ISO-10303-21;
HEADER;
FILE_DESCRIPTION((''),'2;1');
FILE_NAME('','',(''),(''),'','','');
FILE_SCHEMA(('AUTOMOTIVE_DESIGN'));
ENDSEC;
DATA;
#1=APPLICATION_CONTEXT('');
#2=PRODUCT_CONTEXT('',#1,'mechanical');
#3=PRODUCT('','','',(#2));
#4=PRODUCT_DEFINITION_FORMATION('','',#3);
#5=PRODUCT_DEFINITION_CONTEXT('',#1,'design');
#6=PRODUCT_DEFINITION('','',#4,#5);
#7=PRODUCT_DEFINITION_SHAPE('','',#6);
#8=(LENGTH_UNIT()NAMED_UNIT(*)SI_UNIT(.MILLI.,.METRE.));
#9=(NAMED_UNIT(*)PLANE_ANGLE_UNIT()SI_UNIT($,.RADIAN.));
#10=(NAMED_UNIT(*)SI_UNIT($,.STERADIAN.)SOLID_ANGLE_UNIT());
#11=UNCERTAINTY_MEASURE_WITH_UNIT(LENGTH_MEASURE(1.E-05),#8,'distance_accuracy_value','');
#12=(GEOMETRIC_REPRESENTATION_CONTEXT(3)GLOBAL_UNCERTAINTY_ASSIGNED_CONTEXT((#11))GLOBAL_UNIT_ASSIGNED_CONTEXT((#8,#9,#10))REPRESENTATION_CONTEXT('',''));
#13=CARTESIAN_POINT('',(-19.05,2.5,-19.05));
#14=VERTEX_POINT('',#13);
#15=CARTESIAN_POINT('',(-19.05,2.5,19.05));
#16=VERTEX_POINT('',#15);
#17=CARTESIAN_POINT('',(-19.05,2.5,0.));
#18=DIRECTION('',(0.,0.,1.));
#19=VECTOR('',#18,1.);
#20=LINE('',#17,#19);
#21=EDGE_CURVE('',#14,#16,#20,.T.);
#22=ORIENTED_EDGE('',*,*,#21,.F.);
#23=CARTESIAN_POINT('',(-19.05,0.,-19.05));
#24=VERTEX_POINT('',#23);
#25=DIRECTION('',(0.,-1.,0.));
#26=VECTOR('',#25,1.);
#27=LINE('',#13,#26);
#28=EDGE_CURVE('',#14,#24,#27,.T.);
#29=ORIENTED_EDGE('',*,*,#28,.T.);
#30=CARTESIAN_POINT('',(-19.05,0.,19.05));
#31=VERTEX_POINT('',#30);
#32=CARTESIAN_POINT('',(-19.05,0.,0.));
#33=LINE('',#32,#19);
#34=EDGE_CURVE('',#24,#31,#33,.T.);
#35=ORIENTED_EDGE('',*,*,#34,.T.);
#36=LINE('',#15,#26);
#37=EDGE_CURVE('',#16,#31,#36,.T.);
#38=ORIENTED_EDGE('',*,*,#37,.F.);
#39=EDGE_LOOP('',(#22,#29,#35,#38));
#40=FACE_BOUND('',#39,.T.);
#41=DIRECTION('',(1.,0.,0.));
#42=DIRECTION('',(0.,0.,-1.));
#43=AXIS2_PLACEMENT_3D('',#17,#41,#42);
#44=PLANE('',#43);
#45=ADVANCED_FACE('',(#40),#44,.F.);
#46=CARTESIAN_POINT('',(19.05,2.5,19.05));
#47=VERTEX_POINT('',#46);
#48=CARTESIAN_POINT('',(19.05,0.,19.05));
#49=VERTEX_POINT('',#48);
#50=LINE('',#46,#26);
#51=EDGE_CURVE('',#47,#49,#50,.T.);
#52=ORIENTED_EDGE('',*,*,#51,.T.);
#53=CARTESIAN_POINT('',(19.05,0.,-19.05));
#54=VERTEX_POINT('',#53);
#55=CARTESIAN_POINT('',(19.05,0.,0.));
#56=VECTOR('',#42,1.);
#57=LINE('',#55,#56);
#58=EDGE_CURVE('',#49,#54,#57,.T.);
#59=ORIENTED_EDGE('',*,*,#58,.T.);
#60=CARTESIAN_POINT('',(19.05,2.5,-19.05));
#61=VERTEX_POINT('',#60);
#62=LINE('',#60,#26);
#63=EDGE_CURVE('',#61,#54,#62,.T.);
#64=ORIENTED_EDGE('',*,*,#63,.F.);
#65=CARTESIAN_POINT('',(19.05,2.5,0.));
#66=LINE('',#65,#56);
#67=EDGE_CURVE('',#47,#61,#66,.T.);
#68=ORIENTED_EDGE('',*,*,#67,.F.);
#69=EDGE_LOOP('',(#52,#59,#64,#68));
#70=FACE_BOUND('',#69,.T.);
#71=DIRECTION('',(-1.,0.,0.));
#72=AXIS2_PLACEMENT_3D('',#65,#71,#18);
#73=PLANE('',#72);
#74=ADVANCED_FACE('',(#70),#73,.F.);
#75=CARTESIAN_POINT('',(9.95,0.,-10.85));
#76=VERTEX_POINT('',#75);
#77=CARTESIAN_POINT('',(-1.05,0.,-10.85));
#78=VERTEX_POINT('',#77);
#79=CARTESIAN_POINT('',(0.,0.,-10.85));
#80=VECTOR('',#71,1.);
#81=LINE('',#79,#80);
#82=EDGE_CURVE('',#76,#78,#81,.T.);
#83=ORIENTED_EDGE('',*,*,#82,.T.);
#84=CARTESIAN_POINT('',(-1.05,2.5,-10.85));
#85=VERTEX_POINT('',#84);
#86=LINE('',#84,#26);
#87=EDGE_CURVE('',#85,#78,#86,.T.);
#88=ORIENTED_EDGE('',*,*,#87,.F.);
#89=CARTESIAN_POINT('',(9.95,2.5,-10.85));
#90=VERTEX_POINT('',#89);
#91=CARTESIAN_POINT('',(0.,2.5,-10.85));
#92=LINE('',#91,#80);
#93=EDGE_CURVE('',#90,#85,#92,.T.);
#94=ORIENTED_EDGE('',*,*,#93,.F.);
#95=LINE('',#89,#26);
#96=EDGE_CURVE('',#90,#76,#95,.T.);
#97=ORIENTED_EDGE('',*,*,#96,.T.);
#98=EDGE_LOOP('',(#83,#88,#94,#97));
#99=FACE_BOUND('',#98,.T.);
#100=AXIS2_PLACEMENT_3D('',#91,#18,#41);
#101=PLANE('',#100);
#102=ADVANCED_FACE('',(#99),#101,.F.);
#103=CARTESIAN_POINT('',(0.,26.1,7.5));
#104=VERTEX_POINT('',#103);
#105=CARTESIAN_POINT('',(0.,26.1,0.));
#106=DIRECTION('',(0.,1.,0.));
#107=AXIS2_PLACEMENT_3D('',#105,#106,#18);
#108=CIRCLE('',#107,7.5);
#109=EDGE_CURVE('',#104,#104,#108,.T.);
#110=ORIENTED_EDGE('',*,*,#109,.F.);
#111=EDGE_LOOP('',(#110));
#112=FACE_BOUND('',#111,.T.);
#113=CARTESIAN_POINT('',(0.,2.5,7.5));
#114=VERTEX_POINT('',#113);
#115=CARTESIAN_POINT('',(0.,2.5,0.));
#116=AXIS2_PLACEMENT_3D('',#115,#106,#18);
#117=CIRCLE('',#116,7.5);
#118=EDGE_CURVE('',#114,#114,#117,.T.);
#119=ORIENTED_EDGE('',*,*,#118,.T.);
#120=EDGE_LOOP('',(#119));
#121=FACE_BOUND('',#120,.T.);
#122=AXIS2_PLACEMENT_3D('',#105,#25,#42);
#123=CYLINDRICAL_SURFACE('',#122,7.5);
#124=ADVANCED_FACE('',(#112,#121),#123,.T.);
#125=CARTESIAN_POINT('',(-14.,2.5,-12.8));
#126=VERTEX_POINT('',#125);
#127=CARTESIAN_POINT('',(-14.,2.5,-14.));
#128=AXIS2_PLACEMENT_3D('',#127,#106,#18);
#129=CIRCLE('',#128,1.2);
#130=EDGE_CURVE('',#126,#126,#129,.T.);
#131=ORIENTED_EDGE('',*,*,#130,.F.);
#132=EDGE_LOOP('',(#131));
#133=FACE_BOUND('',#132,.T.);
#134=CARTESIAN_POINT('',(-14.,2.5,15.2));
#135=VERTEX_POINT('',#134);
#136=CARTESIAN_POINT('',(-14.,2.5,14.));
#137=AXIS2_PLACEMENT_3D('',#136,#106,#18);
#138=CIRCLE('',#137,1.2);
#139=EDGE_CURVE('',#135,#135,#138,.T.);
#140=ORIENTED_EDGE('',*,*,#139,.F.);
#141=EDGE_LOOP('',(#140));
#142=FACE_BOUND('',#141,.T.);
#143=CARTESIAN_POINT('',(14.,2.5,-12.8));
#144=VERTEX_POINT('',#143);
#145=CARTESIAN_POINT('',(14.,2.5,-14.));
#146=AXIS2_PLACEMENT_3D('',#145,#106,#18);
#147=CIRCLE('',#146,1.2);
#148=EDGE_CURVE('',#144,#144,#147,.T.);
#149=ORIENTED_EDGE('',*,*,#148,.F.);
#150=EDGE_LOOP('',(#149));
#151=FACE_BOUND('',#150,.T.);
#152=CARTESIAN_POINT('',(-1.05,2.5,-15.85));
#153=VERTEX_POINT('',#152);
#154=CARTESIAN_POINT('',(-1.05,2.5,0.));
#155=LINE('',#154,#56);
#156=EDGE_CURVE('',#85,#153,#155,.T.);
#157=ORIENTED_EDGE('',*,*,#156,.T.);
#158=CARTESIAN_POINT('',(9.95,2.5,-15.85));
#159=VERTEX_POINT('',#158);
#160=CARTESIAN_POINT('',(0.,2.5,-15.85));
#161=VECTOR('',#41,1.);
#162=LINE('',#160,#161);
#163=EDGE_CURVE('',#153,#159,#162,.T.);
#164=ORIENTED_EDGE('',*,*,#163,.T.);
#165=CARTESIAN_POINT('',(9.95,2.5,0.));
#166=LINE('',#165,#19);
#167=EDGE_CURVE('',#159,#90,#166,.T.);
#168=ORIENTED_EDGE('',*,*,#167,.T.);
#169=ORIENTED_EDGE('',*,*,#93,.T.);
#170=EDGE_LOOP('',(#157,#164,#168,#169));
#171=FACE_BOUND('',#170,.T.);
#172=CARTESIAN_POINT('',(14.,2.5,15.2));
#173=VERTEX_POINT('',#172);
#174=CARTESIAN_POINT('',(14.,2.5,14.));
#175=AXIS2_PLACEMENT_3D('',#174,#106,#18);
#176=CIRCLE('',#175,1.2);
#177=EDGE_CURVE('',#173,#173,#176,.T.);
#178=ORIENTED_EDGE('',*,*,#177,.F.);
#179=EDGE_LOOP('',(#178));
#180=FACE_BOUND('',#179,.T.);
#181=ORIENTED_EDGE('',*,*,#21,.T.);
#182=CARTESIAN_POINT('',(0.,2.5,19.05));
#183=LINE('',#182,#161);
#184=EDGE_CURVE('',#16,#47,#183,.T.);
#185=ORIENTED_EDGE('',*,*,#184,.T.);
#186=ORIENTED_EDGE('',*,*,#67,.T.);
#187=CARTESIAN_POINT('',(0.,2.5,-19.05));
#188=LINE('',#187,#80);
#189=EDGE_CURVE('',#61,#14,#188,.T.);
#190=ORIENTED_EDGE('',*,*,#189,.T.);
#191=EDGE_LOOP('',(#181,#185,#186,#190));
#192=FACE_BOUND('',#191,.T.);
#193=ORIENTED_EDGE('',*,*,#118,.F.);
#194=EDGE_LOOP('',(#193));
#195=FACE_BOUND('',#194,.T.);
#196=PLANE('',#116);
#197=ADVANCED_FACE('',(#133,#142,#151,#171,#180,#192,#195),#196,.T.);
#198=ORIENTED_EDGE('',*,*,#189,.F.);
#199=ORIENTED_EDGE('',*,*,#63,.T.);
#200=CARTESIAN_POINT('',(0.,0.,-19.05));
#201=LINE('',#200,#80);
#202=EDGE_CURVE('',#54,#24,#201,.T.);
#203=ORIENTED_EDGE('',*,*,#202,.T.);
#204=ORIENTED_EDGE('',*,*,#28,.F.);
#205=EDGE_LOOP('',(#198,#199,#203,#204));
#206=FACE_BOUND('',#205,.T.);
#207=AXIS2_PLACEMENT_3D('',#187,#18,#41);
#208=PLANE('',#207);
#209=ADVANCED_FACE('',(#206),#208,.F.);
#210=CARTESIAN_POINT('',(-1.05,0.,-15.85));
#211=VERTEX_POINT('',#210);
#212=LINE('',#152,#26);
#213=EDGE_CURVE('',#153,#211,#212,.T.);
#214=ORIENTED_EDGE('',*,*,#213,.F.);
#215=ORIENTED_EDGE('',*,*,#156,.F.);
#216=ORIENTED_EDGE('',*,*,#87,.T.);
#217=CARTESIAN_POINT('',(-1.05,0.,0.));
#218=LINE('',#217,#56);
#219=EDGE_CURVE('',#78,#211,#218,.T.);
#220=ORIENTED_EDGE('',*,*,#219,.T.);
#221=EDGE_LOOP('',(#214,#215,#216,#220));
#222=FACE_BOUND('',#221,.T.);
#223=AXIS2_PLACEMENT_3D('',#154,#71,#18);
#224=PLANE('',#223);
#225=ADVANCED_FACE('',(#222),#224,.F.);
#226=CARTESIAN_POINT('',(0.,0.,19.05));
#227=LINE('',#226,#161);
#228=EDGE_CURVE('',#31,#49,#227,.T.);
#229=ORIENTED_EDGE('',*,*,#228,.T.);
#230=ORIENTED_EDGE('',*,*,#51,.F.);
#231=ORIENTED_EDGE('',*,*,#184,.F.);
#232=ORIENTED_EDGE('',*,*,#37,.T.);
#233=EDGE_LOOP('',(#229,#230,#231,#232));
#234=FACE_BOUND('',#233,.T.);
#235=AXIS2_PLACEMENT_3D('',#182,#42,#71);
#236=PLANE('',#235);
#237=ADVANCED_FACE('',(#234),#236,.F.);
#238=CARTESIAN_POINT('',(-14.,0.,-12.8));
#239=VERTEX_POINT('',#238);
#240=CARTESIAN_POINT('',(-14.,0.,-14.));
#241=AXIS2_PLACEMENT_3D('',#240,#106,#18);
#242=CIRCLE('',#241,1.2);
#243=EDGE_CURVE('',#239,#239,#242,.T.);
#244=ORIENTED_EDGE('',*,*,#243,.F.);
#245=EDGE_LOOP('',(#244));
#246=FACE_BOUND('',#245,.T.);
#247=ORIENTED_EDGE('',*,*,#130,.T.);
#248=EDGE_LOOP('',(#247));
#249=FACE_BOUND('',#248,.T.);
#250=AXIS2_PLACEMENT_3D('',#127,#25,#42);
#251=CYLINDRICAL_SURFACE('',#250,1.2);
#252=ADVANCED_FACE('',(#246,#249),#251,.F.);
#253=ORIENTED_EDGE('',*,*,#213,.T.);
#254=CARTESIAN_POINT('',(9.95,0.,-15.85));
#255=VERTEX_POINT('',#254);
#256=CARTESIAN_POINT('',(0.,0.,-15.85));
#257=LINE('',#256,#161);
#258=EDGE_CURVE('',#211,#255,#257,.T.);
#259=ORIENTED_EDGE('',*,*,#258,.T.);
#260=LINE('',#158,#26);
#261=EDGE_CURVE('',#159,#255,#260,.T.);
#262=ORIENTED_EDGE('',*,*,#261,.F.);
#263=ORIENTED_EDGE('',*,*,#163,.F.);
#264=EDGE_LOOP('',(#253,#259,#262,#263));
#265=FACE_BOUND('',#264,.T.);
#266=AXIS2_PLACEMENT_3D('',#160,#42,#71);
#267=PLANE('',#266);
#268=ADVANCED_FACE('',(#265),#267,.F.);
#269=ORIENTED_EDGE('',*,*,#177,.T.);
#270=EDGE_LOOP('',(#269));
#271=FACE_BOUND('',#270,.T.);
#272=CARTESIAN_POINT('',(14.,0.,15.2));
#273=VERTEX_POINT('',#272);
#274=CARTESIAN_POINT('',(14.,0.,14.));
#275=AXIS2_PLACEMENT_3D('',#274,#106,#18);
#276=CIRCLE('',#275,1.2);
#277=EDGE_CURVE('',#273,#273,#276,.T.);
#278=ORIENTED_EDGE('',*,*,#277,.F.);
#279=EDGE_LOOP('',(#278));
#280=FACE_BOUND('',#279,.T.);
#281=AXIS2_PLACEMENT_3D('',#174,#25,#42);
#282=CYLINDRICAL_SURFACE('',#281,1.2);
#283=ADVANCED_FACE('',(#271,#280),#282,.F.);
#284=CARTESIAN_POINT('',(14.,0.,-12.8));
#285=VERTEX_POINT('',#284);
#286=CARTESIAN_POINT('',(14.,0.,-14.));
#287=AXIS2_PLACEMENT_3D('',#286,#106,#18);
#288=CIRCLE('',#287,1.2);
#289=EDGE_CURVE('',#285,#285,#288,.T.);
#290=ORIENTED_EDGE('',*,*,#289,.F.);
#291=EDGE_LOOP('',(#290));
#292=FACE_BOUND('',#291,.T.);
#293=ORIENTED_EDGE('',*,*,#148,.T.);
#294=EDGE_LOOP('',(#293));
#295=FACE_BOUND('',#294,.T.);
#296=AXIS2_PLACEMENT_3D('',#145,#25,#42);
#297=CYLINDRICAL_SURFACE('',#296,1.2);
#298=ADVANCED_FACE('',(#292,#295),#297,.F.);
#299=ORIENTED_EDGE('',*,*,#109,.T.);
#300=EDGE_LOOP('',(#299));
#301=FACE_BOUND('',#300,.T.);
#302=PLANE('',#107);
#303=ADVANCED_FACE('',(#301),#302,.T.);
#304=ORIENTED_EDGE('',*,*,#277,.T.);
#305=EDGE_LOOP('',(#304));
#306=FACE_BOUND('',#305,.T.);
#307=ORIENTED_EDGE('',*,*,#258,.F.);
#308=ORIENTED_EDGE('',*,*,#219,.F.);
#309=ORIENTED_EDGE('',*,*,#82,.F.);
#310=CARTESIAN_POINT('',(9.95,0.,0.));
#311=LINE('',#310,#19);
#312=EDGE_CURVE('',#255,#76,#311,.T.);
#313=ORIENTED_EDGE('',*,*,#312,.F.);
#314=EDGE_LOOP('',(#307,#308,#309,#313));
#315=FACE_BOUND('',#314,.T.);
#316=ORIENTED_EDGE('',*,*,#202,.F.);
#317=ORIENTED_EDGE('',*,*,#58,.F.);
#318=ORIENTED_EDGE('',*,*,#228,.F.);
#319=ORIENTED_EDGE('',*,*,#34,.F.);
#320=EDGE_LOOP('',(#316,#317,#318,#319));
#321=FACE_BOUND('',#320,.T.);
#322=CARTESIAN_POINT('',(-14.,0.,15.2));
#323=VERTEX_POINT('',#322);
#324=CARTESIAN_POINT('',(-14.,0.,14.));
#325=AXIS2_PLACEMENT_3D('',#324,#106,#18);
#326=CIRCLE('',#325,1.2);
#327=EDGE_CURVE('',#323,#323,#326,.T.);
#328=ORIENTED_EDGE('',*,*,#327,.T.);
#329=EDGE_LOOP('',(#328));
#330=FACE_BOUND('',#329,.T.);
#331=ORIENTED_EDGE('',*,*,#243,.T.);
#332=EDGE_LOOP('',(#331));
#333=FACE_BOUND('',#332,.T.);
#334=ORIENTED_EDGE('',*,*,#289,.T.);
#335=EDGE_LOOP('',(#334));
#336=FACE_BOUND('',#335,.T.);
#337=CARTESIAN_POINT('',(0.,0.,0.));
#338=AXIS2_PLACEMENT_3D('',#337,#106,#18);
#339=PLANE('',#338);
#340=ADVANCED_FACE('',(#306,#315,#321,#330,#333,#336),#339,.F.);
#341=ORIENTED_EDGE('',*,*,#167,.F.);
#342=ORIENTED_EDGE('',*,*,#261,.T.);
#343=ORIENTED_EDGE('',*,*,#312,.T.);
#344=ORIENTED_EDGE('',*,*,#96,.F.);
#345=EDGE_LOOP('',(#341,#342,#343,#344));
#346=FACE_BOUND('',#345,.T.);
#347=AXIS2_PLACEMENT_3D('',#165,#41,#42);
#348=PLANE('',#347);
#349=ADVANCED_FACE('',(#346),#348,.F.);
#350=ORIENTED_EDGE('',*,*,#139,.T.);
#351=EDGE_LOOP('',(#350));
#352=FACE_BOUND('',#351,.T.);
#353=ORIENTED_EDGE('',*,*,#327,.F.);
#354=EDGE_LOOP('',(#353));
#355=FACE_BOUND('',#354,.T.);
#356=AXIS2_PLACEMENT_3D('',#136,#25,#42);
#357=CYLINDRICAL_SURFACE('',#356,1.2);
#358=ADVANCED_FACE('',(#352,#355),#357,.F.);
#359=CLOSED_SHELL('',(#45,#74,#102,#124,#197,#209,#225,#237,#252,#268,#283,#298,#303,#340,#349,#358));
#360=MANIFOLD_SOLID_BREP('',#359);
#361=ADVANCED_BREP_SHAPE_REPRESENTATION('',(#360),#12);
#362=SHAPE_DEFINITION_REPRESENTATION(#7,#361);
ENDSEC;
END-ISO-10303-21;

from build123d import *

# Parameters (mm, degrees)
SKETCH1_W           = 38.1
SKETCH1_H           = 38.1
SKETCH1_R           = 1.2
SKETCH1_R_2         = 7.5
SKETCH1_W_2         = 11
SKETCH1_H_2         = 5
BOSS_EXTRUDE1_DEPTH = 2.5
SKETCH1_6_R         = 7.5
BOSS_EXTRUDE2_DEPTH = 26.1


with BuildPart() as part:
    # Sketch1 → Boss-Extrude1 (new body)
    with BuildSketch(Plane(origin=(0, 0, 0), x_dir=(1, 0, 0), z_dir=(0, 1, 0))):
        Rectangle(SKETCH1_W, SKETCH1_H)
        with Locations((-14, -14)):
            Circle(SKETCH1_R, mode=Mode.SUBTRACT)
        with Locations((14, -14)):
            Circle(SKETCH1_R, mode=Mode.SUBTRACT)
        with Locations((14, 14)):
            Circle(SKETCH1_R, mode=Mode.SUBTRACT)
        with Locations((-14, 14)):
            Circle(SKETCH1_R, mode=Mode.SUBTRACT)
        Circle(SKETCH1_R_2, mode=Mode.SUBTRACT)
        with Locations((4.45, 13.35)):
            Rectangle(SKETCH1_W_2, SKETCH1_H_2, mode=Mode.SUBTRACT)
    extrude(amount=BOSS_EXTRUDE1_DEPTH)

    # Sketch1<6> → Boss-Extrude2 (add)
    with BuildSketch(Plane(origin=(0, 0, 0), x_dir=(1, 0, 0), z_dir=(0, 1, 0))):
        Circle(SKETCH1_6_R)
    extrude(amount=BOSS_EXTRUDE2_DEPTH)


solid = part.part
